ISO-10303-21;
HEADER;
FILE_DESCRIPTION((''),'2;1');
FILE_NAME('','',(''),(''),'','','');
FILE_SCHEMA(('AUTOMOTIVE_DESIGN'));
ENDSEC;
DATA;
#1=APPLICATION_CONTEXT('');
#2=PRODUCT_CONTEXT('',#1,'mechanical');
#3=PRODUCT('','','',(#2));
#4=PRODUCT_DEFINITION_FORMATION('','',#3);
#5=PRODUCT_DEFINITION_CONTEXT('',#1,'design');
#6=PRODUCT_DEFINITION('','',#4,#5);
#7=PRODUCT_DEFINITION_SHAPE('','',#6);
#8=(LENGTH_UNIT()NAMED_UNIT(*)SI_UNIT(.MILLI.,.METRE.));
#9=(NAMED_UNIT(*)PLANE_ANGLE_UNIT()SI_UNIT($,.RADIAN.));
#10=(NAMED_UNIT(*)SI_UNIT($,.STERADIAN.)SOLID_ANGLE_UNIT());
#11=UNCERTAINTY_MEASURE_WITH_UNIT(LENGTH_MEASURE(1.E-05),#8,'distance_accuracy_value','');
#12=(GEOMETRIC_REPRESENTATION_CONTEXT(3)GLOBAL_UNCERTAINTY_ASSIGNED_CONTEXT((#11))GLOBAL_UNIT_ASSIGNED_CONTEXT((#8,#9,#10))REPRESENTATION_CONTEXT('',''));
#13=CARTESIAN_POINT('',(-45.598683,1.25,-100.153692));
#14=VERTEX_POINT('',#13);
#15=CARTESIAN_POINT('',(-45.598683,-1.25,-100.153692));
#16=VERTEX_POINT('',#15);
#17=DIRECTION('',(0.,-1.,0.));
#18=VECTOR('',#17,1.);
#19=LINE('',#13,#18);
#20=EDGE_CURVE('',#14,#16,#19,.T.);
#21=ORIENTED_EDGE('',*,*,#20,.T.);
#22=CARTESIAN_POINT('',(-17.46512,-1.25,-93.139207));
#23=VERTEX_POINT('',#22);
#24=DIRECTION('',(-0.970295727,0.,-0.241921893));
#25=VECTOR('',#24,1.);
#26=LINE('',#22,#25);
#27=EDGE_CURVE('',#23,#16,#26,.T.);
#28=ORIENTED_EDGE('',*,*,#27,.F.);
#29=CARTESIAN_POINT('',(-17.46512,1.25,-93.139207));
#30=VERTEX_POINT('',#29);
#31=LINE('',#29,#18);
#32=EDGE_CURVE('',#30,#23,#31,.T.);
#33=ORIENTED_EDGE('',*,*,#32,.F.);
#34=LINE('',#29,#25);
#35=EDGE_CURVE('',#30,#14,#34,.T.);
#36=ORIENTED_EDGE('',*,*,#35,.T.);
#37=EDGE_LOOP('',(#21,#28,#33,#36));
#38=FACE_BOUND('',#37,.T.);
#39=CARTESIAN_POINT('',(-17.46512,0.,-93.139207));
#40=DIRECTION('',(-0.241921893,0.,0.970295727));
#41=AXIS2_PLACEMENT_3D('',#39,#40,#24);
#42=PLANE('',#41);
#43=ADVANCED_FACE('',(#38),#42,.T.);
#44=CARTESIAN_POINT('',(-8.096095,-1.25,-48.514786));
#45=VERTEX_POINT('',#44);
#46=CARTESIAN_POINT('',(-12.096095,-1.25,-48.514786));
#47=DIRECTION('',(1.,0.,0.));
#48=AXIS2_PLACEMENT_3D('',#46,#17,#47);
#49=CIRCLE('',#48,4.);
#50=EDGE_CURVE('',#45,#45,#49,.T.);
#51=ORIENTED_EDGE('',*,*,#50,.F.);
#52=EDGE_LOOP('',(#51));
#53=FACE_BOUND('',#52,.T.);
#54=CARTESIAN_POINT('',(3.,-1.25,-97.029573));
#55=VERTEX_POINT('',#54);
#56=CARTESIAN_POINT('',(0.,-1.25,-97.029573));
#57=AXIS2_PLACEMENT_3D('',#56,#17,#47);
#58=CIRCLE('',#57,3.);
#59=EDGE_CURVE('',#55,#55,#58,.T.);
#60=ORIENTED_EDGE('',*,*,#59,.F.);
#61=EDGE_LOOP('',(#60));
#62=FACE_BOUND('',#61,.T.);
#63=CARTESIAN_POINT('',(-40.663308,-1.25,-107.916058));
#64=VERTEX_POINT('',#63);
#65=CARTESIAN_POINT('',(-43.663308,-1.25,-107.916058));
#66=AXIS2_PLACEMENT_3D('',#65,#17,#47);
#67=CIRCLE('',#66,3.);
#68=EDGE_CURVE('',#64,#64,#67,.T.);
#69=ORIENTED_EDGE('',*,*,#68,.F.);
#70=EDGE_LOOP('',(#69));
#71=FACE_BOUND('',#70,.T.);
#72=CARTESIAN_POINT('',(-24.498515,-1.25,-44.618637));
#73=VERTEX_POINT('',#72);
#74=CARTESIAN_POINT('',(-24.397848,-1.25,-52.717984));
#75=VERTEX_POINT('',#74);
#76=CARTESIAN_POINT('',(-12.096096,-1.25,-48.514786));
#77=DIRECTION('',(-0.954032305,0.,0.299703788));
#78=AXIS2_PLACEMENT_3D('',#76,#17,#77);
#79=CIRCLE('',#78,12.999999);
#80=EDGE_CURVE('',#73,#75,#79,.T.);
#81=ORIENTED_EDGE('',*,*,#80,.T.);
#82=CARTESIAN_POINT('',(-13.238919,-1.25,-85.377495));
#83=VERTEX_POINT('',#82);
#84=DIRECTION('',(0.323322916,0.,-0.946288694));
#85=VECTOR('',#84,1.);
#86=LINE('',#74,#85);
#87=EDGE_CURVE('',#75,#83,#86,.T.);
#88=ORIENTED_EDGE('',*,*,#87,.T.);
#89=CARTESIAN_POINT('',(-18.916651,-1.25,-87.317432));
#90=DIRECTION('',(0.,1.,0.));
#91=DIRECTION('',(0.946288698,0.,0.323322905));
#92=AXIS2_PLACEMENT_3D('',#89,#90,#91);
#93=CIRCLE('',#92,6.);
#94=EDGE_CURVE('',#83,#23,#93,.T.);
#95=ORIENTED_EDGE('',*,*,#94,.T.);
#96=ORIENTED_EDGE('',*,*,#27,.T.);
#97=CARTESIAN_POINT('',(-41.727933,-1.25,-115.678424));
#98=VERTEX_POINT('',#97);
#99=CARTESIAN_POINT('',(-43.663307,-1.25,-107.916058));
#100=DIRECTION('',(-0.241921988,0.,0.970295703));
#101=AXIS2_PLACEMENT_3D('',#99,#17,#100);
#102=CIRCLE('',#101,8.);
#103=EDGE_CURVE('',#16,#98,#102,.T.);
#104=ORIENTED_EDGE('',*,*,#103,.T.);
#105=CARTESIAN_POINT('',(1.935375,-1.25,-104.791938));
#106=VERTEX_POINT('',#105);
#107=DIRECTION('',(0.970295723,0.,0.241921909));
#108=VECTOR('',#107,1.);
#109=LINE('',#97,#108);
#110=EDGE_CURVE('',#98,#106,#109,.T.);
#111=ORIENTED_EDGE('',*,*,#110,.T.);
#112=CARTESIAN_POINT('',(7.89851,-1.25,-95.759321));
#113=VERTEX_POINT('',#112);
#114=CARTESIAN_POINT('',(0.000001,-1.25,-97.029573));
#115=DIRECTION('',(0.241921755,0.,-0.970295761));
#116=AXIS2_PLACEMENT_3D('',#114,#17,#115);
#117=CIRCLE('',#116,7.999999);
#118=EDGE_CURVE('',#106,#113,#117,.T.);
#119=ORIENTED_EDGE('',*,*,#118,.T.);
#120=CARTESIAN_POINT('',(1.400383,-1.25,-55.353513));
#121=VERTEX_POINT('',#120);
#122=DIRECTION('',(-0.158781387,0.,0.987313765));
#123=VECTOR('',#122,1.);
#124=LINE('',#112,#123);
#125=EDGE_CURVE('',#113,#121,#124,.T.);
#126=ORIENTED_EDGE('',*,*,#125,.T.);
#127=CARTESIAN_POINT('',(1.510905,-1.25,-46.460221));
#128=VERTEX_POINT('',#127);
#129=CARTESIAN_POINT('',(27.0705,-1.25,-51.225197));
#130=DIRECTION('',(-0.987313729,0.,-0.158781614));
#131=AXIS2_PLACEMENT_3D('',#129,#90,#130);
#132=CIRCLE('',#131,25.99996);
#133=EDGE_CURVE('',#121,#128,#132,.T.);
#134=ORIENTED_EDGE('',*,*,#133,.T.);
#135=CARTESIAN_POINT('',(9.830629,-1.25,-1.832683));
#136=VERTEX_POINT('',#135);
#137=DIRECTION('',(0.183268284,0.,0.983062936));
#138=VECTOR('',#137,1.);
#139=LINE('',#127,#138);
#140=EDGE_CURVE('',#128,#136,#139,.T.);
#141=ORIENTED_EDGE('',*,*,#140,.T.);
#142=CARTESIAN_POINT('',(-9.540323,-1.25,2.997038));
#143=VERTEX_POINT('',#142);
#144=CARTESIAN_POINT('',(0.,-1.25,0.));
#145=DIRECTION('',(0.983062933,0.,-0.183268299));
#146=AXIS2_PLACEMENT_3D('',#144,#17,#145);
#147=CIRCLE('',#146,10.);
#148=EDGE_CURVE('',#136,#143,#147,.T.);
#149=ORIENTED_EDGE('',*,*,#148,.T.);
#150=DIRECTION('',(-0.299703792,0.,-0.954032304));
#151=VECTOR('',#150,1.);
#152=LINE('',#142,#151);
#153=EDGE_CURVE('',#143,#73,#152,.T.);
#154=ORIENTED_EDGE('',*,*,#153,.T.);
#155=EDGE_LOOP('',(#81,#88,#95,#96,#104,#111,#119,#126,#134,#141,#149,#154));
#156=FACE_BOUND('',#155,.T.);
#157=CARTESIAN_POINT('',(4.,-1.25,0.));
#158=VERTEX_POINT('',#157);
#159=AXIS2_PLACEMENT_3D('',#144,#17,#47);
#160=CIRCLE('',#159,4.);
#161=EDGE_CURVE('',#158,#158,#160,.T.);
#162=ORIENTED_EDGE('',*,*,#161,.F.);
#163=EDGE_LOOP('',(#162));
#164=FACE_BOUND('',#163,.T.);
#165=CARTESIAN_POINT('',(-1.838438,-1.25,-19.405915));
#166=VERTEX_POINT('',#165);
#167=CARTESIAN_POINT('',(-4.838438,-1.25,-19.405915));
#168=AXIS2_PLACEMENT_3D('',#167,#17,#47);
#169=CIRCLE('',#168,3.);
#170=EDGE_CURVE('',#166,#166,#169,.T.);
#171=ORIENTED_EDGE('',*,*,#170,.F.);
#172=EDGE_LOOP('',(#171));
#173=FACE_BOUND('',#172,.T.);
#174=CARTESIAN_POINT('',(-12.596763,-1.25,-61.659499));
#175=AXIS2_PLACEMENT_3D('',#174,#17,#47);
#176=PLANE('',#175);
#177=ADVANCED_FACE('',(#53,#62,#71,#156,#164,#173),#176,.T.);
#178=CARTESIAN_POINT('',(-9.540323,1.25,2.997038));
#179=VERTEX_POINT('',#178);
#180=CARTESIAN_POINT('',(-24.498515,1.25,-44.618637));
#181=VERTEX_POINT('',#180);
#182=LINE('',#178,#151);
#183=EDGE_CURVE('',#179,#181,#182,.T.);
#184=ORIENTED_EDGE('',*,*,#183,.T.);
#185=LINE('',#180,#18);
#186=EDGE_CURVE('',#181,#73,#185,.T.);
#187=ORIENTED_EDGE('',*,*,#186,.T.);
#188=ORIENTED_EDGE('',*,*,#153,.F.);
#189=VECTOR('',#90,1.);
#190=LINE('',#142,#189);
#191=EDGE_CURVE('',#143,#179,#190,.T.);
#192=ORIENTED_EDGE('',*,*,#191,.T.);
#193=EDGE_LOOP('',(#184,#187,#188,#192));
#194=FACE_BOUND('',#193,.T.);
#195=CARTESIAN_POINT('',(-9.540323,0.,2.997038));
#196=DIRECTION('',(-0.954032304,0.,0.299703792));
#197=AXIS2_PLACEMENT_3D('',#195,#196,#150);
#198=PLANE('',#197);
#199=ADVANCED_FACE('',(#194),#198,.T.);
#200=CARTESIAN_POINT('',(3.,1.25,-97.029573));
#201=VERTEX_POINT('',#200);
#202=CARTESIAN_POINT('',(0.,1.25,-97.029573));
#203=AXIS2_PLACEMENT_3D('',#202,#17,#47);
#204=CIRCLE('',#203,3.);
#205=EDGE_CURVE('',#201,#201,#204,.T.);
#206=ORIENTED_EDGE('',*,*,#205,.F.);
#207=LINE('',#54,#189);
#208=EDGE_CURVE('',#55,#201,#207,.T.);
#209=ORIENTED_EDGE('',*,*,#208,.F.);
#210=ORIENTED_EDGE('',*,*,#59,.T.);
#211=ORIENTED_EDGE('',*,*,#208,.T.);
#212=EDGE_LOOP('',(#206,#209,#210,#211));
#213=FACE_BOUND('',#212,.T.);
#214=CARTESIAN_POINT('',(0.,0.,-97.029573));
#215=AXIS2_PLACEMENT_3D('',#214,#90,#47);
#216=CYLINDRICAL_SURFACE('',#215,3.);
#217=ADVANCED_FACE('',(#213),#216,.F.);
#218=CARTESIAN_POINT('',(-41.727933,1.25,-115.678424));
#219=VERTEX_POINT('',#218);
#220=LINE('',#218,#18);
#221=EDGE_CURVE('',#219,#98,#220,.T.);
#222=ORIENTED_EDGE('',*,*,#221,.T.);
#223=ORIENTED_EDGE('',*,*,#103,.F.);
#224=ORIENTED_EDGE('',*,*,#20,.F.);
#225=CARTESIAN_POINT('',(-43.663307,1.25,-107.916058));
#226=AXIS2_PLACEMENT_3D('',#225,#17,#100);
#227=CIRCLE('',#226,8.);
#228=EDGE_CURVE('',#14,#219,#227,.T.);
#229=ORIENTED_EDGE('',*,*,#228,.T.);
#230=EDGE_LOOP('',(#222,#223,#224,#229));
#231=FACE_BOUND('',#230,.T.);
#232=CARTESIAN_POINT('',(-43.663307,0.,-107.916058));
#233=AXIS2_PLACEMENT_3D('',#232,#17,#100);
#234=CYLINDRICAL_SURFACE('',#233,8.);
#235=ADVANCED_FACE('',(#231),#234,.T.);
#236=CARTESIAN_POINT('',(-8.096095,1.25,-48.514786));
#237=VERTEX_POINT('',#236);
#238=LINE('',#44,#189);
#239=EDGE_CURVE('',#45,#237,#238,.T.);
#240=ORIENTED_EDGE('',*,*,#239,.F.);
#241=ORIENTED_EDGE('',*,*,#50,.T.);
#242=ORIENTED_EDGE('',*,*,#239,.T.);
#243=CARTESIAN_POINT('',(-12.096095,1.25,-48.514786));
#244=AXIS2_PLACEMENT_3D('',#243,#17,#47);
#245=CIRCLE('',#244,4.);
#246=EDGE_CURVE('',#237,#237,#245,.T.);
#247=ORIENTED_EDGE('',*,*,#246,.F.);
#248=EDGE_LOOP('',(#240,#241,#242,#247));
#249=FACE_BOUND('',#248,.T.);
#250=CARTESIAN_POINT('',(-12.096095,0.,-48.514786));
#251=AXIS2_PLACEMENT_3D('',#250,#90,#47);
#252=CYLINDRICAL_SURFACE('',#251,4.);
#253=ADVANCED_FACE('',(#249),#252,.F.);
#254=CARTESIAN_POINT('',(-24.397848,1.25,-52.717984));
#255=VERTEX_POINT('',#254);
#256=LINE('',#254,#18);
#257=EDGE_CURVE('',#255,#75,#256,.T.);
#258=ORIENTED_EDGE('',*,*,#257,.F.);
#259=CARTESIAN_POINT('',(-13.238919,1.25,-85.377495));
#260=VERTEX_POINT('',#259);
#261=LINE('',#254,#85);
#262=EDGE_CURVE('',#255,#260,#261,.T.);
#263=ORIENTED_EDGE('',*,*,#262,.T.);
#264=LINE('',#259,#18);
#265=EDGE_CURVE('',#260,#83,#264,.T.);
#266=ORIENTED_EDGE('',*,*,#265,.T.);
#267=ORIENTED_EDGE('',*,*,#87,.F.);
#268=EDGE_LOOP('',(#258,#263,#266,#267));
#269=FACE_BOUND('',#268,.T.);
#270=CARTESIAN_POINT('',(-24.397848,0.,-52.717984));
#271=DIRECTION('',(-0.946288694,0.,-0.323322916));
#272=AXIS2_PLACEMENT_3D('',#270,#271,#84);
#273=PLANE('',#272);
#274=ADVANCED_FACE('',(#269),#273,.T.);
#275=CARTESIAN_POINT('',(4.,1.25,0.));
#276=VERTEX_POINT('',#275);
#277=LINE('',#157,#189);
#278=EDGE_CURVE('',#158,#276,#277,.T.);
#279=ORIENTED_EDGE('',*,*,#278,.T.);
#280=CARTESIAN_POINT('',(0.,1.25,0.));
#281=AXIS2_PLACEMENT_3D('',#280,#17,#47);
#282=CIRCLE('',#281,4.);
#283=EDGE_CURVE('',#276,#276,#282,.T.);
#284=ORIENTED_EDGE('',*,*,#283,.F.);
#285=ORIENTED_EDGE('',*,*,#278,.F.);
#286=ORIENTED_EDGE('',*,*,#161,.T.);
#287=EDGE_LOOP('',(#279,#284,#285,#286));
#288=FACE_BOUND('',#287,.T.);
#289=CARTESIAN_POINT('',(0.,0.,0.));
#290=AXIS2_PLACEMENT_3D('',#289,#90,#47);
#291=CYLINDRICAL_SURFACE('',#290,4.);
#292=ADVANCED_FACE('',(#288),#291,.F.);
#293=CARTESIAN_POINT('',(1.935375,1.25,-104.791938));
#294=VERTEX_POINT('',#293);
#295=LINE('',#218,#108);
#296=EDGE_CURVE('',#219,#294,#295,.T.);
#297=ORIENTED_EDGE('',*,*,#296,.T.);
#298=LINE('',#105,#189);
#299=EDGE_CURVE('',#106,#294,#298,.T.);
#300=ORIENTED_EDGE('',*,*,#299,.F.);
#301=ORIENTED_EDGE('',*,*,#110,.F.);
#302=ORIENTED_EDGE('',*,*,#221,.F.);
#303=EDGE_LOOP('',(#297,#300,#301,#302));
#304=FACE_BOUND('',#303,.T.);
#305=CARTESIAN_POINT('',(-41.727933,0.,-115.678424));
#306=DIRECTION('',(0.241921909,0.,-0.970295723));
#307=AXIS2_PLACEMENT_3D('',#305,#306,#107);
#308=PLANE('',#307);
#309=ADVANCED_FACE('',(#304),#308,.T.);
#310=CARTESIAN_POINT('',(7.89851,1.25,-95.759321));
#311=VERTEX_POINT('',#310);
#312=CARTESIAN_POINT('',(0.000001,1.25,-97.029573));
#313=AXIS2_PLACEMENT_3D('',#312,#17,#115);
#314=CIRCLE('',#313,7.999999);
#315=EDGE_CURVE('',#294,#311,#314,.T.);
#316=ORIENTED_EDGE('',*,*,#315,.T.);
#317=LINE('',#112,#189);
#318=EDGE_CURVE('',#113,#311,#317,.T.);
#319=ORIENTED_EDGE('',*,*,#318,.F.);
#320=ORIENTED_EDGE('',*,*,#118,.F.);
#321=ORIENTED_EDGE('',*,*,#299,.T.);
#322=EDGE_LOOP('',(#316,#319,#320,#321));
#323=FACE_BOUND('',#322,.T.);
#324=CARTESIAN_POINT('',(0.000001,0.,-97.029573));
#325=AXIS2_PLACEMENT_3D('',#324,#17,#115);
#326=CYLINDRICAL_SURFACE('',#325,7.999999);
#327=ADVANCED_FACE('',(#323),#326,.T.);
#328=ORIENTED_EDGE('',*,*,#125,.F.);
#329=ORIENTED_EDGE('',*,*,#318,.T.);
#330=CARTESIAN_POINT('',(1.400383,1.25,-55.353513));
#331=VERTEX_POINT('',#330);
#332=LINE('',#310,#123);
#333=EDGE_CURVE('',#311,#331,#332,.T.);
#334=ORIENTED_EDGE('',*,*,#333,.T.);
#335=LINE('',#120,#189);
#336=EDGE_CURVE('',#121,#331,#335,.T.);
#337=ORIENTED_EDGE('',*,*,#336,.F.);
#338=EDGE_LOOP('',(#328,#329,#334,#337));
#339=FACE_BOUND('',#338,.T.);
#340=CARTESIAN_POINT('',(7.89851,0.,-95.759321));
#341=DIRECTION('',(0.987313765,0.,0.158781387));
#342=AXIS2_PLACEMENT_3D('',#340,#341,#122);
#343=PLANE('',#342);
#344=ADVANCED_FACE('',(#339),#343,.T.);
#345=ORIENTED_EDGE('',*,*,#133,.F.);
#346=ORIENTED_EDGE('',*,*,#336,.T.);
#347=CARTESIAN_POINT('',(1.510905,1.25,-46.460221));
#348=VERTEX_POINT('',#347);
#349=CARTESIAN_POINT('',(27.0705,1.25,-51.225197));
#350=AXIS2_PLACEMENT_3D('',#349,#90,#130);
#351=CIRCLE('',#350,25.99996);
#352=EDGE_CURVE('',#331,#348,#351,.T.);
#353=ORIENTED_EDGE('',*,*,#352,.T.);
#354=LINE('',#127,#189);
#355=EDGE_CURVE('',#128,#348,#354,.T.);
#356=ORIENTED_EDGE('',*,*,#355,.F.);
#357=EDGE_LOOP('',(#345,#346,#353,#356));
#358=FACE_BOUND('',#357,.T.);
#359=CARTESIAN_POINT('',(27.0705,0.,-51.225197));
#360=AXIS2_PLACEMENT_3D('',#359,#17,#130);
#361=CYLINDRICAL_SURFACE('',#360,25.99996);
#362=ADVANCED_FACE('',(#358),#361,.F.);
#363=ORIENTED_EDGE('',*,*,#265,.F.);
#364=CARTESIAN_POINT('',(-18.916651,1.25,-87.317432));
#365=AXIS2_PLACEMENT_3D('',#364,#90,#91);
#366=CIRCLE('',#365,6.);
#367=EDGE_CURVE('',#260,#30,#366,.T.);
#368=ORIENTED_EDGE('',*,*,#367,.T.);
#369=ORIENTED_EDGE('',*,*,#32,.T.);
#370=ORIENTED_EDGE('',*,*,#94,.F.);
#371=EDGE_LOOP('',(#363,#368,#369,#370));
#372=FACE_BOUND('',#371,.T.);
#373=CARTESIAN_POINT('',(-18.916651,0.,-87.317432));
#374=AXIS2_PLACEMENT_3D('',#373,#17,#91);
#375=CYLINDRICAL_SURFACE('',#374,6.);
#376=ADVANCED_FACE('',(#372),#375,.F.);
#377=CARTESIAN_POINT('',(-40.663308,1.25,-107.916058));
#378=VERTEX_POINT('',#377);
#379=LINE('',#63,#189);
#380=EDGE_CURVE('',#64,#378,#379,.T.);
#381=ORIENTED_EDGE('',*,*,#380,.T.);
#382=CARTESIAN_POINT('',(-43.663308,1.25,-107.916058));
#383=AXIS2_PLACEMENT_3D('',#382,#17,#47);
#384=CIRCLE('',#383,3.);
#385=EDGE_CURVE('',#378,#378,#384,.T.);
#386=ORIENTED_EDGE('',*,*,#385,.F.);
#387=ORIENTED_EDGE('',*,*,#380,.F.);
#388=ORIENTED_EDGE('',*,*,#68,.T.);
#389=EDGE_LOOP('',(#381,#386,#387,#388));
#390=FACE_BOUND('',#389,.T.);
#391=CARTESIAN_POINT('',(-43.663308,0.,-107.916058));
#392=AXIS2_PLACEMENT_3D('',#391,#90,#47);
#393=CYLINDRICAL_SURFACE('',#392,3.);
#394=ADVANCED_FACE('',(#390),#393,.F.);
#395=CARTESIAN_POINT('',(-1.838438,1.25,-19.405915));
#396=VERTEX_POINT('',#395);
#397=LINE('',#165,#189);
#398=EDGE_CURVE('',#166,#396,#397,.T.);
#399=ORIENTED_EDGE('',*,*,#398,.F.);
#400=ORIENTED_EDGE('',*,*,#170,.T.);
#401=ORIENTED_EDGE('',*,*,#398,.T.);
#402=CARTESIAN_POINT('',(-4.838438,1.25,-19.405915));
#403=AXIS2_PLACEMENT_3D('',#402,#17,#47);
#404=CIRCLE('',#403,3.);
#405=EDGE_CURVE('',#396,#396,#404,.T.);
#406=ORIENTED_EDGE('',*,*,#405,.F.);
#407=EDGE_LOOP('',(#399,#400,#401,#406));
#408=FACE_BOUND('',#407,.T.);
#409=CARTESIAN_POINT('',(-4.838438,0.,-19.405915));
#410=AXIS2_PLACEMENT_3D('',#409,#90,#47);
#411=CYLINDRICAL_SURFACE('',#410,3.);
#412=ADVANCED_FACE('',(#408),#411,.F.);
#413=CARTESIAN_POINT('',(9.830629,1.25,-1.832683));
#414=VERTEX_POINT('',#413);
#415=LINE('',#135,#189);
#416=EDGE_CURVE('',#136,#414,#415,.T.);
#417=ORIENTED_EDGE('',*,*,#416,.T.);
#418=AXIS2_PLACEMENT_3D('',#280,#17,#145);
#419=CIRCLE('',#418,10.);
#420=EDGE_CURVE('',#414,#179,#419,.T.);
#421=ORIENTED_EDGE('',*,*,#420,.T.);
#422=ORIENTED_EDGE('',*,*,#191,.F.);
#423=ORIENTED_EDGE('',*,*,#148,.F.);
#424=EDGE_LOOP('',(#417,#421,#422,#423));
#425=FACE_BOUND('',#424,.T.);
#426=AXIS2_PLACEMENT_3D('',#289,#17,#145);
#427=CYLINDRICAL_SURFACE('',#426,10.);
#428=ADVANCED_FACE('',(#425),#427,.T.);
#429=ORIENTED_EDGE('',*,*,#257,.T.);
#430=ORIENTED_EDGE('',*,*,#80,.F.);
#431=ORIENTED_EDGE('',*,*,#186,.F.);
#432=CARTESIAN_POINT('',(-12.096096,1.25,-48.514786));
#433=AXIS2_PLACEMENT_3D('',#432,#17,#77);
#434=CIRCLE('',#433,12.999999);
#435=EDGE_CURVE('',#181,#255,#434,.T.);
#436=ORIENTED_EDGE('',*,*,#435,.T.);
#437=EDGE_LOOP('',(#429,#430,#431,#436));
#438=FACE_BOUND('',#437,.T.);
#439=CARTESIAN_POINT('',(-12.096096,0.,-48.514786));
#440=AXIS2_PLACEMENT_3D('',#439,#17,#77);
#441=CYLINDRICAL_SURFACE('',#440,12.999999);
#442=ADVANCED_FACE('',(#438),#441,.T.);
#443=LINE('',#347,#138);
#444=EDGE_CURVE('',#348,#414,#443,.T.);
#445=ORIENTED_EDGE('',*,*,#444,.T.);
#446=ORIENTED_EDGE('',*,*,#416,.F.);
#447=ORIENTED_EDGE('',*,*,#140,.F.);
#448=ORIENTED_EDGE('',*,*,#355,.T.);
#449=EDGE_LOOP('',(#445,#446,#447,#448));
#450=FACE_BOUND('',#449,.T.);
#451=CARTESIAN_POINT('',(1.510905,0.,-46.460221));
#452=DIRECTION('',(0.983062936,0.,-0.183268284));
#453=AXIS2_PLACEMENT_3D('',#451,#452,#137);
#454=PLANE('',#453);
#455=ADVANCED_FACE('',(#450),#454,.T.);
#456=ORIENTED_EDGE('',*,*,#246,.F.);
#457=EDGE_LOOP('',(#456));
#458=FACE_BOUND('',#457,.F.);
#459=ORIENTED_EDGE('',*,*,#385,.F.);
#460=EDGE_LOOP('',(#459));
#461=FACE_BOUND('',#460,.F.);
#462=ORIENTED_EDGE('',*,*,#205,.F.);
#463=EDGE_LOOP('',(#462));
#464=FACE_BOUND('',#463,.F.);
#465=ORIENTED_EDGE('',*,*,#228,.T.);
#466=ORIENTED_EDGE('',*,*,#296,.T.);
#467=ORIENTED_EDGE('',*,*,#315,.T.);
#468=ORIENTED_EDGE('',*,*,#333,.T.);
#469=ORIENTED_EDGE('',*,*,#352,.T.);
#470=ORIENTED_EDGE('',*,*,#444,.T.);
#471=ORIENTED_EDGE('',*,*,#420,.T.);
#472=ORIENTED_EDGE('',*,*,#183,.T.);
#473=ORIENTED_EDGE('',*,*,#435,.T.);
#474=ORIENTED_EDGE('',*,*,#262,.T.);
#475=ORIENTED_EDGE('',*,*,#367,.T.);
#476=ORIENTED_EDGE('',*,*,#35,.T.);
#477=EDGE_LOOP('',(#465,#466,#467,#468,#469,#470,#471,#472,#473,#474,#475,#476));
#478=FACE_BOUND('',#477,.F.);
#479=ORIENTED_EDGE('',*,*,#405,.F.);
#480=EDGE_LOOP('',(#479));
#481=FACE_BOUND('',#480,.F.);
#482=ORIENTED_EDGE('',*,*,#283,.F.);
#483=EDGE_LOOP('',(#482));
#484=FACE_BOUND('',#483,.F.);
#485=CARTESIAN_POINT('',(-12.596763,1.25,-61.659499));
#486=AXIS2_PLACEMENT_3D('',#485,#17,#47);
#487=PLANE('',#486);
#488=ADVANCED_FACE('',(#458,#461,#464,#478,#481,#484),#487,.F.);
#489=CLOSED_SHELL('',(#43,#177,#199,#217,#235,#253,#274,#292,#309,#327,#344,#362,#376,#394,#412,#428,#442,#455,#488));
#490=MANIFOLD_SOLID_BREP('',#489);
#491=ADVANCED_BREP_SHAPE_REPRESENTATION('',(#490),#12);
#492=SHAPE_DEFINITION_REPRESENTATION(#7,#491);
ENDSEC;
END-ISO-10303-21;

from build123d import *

# Parameters (mm, degrees)
F0_R     = 3
F0_R_2   = 4
F1_DEPTH = 1.25


with BuildPart() as f1:
    # F0 (on Front) → F1 (new body, symmetric)
    with BuildSketch(Plane.XZ):
        with BuildLine():
            Line((-9.540323, 2.997038), (-24.498515, -44.618637))
            ThreePointArc((-24.498515, -44.618637), (-25.095091, -48.676351), (-24.397848, -52.717984))
            Line((-24.397848, -52.717984), (-13.238919, -85.377495))
            ThreePointArc((-13.238919, -85.377495), (-13.64715, -90.186641), (-17.46512, -93.139207))
            Line((-17.46512, -93.139207), (-45.598683, -100.153692))
            ThreePointArc((-45.598683, -100.153692), (-51.425673, -109.851433), (-41.727933, -115.678424))
            Line((-41.727933, -115.678424), (1.935375, -104.791938))
            ThreePointArc((1.935375, -104.791938), (6.676329, -101.437138), (7.89851, -95.759321))
            Line((7.89851, -95.759321), (1.400383, -55.353513))
            ThreePointArc((1.400383, -55.353513), (1.072548, -50.902106), (1.510905, -46.460221))
            Line((1.510905, -46.460221), (9.830629, -1.832683))
            ThreePointArc((9.830629, -1.832683), (2.419219, 9.702957), (-9.540323, 2.997038))
        make_face()
        with Locations((-43.663308, -107.916058)):
            Circle(F0_R, mode=Mode.SUBTRACT)
        with Locations((0, -97.029573)):
            Circle(F0_R, mode=Mode.SUBTRACT)
        with Locations((-12.096095, -48.514786)):
            Circle(F0_R_2, mode=Mode.SUBTRACT)
        with Locations((-4.838438, -19.405915)):
            Circle(F0_R, mode=Mode.SUBTRACT)
        Circle(F0_R_2, mode=Mode.SUBTRACT)
    extrude(amount=F1_DEPTH, both=True)


solid = f1.part
